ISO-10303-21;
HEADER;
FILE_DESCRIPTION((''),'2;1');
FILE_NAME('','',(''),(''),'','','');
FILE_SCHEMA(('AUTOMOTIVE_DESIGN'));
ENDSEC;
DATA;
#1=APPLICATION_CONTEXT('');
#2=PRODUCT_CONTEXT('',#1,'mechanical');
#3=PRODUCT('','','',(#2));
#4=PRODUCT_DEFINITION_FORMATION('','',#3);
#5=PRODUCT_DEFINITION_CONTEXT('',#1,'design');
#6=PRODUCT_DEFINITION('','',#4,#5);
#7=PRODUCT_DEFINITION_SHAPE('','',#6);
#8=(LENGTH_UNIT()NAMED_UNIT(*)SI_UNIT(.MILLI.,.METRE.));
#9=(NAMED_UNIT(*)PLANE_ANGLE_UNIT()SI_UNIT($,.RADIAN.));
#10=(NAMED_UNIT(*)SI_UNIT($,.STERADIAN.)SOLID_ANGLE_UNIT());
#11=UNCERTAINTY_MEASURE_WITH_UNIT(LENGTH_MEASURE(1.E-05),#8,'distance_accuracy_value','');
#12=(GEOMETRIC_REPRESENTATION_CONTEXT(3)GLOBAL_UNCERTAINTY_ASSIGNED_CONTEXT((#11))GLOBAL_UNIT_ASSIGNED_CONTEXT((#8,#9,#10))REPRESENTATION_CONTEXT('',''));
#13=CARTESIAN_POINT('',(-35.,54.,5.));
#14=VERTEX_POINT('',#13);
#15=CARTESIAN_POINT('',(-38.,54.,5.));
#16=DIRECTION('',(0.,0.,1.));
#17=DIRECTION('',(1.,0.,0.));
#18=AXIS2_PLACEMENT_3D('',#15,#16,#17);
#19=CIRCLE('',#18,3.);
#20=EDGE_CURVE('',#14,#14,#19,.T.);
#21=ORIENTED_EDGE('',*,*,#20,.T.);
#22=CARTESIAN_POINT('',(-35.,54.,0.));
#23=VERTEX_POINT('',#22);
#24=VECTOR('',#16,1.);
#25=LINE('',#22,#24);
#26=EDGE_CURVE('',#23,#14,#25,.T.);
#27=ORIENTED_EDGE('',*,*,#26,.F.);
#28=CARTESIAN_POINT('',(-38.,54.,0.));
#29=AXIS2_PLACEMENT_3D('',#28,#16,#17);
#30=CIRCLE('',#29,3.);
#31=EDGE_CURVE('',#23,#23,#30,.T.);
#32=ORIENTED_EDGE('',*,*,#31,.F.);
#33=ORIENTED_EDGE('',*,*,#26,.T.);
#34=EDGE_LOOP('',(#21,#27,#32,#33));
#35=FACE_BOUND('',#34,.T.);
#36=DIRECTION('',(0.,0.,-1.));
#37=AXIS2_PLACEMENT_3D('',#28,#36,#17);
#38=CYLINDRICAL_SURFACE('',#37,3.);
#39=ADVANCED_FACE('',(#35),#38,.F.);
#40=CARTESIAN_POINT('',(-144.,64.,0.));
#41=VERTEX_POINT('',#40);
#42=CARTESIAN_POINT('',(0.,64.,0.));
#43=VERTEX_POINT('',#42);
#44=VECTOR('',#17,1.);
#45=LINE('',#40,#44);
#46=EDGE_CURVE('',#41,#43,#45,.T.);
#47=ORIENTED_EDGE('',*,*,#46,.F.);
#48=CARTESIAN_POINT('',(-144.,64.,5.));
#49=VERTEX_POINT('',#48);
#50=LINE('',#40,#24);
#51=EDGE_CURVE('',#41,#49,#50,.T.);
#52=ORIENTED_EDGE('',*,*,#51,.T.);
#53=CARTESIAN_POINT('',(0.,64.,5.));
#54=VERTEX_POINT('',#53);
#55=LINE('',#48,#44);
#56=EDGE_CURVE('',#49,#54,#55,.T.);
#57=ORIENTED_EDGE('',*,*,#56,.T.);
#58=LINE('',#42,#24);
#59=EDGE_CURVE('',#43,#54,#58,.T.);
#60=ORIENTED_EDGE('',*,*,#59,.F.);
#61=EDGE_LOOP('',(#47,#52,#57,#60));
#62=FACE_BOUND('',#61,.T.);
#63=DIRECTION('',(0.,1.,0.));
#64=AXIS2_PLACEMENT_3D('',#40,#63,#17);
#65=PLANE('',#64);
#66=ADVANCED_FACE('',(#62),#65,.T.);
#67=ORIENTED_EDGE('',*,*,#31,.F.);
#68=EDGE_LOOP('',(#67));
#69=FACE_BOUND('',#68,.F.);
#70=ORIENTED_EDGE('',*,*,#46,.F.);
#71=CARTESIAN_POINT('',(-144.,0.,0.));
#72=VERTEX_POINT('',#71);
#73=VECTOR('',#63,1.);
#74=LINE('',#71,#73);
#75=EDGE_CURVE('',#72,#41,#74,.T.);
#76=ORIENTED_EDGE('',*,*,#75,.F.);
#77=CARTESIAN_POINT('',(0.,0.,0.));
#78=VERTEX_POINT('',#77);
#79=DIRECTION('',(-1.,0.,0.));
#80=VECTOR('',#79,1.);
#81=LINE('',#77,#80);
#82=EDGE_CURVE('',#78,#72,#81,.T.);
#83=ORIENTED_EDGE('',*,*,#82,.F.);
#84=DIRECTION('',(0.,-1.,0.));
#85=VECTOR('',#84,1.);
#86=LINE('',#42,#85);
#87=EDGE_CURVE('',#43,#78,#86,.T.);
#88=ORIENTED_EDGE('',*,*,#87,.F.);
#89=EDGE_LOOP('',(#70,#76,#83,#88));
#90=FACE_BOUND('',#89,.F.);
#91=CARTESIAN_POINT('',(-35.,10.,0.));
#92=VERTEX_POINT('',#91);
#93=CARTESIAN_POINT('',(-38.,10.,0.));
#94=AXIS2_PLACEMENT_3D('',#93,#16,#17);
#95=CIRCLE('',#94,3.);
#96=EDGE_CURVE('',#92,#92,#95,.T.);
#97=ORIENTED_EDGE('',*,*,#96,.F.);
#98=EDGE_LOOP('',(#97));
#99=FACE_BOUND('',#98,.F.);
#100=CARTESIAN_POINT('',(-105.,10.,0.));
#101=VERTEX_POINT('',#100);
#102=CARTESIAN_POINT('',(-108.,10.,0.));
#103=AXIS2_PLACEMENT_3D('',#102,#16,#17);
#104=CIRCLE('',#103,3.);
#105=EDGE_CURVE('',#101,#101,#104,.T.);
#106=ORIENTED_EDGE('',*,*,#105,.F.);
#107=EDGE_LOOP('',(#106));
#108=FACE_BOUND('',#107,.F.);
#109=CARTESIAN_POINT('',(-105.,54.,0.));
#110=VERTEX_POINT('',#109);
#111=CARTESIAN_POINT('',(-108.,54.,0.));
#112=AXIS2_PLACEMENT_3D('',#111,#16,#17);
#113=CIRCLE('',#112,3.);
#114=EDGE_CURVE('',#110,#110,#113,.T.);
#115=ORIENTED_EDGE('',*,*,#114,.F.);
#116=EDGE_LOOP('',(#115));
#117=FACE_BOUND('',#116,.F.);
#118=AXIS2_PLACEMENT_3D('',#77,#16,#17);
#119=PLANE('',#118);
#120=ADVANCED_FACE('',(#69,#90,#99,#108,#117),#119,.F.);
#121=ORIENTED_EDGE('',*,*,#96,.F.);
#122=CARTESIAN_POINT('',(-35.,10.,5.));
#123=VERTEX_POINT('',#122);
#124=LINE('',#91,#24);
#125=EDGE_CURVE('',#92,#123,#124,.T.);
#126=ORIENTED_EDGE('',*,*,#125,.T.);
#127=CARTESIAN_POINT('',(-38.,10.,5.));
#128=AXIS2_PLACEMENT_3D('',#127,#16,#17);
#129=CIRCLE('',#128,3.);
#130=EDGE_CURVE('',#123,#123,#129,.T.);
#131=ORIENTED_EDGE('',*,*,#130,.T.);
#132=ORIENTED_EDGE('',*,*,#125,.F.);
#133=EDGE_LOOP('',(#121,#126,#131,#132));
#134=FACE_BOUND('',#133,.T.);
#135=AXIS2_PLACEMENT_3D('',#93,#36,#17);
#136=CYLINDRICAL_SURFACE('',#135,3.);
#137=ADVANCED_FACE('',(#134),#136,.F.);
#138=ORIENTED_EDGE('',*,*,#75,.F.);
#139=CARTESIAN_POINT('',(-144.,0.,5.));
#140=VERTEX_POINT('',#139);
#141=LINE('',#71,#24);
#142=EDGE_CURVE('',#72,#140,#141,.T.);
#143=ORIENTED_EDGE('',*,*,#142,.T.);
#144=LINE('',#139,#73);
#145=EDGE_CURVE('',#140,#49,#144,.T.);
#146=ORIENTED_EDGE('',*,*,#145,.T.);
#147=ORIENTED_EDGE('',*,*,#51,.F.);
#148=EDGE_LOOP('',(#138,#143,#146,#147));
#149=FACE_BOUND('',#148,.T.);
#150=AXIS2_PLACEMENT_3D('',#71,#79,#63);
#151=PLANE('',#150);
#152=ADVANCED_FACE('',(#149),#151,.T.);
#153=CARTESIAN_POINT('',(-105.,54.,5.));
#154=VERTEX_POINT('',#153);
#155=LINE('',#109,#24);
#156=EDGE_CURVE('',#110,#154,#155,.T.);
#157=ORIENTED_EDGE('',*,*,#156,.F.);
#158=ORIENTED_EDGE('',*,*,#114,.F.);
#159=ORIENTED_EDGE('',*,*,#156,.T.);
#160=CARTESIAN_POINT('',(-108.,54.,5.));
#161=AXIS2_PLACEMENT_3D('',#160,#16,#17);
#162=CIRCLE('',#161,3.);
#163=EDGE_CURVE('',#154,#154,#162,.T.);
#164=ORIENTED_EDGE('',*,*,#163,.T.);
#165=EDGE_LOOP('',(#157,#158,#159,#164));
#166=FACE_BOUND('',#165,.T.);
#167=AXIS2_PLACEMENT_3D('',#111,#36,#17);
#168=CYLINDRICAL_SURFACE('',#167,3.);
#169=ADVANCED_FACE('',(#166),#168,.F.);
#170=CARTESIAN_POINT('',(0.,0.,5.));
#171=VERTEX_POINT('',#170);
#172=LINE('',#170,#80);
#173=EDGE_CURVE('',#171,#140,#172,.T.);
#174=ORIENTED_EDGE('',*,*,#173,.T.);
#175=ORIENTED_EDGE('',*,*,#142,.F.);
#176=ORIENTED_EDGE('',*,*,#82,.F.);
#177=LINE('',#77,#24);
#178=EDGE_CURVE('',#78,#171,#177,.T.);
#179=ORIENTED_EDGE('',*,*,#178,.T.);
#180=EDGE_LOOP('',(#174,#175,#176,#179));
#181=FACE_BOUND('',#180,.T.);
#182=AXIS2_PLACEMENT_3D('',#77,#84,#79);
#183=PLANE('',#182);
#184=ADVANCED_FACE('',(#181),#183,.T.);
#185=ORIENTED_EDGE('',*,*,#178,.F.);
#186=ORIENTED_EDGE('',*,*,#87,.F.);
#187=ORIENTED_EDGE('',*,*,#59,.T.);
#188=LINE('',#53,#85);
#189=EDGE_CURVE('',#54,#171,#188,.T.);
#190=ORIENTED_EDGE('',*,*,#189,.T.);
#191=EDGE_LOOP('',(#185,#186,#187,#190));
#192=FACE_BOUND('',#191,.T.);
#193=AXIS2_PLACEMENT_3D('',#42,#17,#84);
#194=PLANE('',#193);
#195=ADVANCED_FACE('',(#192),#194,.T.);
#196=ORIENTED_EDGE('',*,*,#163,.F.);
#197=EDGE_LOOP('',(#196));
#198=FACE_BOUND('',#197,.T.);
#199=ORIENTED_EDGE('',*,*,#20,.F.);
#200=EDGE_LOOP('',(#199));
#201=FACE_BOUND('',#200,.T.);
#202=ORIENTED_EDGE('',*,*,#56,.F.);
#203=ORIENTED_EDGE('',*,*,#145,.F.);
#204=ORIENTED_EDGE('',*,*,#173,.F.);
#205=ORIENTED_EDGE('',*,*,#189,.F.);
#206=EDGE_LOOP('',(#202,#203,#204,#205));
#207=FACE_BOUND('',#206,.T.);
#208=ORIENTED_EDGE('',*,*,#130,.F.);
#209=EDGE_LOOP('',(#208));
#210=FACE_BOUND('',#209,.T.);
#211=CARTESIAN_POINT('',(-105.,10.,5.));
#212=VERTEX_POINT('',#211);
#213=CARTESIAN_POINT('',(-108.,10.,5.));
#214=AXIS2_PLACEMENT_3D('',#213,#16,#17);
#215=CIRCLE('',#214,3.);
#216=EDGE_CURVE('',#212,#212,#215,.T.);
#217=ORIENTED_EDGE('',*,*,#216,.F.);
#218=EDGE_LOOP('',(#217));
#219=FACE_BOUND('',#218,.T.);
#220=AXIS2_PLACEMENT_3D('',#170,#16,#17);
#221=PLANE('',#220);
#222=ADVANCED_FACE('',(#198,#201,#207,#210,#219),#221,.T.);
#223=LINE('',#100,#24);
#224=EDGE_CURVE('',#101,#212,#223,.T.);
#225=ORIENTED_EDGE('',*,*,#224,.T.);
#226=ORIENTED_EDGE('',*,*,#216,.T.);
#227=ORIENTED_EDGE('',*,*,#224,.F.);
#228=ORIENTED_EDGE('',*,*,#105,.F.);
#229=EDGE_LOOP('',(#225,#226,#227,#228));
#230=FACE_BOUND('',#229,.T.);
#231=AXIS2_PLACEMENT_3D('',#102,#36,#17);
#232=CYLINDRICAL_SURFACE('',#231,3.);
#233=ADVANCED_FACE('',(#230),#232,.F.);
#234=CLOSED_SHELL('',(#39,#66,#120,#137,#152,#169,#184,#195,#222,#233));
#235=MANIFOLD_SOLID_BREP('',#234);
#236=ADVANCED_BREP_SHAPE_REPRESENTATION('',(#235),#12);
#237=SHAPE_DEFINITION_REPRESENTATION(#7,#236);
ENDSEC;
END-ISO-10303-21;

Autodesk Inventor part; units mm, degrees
ref_plane "YZ Plane" through (0, 0, 0) normal (1, 0, 0) x (0, 1, 0)
ref_plane "XZ Plane" through (0, 0, 0) normal (0, 1, 0) x (-1, 0, 0)
ref_plane "XY Plane" through (0, 0, 0) normal (0, 0, 1) x (1, 0, 0)
sketch "Sketch1" plane through (0, 0, 0) normal (0, 0, 1) x (1, 0, 0)
  line L0 (0, 0) -> (-144, 0)
  line L1 (-144, 0) -> (-144, 64)
  line L2 (-144, 64) -> (0, 64)
  line L3 (0, 64) -> (0, 0)
  circle A0 centre (-108, 54) radius 3
  circle A1 centre (-38, 54) radius 3
  circle A2 centre (-108, 10) radius 3
  circle A3 centre (-38, 10) radius 3
  dimension "d0" = 144
  dimension "d1" = 64
  dimension "d2" = 6
  dimension "d3" = 36
  dimension "d4" = 10
  dimension "d7" = 70
  dimension "d10" = 44
extrude "Extrusion1" add sketch "Sketch1" along normal blind 5
properties part number "second"
